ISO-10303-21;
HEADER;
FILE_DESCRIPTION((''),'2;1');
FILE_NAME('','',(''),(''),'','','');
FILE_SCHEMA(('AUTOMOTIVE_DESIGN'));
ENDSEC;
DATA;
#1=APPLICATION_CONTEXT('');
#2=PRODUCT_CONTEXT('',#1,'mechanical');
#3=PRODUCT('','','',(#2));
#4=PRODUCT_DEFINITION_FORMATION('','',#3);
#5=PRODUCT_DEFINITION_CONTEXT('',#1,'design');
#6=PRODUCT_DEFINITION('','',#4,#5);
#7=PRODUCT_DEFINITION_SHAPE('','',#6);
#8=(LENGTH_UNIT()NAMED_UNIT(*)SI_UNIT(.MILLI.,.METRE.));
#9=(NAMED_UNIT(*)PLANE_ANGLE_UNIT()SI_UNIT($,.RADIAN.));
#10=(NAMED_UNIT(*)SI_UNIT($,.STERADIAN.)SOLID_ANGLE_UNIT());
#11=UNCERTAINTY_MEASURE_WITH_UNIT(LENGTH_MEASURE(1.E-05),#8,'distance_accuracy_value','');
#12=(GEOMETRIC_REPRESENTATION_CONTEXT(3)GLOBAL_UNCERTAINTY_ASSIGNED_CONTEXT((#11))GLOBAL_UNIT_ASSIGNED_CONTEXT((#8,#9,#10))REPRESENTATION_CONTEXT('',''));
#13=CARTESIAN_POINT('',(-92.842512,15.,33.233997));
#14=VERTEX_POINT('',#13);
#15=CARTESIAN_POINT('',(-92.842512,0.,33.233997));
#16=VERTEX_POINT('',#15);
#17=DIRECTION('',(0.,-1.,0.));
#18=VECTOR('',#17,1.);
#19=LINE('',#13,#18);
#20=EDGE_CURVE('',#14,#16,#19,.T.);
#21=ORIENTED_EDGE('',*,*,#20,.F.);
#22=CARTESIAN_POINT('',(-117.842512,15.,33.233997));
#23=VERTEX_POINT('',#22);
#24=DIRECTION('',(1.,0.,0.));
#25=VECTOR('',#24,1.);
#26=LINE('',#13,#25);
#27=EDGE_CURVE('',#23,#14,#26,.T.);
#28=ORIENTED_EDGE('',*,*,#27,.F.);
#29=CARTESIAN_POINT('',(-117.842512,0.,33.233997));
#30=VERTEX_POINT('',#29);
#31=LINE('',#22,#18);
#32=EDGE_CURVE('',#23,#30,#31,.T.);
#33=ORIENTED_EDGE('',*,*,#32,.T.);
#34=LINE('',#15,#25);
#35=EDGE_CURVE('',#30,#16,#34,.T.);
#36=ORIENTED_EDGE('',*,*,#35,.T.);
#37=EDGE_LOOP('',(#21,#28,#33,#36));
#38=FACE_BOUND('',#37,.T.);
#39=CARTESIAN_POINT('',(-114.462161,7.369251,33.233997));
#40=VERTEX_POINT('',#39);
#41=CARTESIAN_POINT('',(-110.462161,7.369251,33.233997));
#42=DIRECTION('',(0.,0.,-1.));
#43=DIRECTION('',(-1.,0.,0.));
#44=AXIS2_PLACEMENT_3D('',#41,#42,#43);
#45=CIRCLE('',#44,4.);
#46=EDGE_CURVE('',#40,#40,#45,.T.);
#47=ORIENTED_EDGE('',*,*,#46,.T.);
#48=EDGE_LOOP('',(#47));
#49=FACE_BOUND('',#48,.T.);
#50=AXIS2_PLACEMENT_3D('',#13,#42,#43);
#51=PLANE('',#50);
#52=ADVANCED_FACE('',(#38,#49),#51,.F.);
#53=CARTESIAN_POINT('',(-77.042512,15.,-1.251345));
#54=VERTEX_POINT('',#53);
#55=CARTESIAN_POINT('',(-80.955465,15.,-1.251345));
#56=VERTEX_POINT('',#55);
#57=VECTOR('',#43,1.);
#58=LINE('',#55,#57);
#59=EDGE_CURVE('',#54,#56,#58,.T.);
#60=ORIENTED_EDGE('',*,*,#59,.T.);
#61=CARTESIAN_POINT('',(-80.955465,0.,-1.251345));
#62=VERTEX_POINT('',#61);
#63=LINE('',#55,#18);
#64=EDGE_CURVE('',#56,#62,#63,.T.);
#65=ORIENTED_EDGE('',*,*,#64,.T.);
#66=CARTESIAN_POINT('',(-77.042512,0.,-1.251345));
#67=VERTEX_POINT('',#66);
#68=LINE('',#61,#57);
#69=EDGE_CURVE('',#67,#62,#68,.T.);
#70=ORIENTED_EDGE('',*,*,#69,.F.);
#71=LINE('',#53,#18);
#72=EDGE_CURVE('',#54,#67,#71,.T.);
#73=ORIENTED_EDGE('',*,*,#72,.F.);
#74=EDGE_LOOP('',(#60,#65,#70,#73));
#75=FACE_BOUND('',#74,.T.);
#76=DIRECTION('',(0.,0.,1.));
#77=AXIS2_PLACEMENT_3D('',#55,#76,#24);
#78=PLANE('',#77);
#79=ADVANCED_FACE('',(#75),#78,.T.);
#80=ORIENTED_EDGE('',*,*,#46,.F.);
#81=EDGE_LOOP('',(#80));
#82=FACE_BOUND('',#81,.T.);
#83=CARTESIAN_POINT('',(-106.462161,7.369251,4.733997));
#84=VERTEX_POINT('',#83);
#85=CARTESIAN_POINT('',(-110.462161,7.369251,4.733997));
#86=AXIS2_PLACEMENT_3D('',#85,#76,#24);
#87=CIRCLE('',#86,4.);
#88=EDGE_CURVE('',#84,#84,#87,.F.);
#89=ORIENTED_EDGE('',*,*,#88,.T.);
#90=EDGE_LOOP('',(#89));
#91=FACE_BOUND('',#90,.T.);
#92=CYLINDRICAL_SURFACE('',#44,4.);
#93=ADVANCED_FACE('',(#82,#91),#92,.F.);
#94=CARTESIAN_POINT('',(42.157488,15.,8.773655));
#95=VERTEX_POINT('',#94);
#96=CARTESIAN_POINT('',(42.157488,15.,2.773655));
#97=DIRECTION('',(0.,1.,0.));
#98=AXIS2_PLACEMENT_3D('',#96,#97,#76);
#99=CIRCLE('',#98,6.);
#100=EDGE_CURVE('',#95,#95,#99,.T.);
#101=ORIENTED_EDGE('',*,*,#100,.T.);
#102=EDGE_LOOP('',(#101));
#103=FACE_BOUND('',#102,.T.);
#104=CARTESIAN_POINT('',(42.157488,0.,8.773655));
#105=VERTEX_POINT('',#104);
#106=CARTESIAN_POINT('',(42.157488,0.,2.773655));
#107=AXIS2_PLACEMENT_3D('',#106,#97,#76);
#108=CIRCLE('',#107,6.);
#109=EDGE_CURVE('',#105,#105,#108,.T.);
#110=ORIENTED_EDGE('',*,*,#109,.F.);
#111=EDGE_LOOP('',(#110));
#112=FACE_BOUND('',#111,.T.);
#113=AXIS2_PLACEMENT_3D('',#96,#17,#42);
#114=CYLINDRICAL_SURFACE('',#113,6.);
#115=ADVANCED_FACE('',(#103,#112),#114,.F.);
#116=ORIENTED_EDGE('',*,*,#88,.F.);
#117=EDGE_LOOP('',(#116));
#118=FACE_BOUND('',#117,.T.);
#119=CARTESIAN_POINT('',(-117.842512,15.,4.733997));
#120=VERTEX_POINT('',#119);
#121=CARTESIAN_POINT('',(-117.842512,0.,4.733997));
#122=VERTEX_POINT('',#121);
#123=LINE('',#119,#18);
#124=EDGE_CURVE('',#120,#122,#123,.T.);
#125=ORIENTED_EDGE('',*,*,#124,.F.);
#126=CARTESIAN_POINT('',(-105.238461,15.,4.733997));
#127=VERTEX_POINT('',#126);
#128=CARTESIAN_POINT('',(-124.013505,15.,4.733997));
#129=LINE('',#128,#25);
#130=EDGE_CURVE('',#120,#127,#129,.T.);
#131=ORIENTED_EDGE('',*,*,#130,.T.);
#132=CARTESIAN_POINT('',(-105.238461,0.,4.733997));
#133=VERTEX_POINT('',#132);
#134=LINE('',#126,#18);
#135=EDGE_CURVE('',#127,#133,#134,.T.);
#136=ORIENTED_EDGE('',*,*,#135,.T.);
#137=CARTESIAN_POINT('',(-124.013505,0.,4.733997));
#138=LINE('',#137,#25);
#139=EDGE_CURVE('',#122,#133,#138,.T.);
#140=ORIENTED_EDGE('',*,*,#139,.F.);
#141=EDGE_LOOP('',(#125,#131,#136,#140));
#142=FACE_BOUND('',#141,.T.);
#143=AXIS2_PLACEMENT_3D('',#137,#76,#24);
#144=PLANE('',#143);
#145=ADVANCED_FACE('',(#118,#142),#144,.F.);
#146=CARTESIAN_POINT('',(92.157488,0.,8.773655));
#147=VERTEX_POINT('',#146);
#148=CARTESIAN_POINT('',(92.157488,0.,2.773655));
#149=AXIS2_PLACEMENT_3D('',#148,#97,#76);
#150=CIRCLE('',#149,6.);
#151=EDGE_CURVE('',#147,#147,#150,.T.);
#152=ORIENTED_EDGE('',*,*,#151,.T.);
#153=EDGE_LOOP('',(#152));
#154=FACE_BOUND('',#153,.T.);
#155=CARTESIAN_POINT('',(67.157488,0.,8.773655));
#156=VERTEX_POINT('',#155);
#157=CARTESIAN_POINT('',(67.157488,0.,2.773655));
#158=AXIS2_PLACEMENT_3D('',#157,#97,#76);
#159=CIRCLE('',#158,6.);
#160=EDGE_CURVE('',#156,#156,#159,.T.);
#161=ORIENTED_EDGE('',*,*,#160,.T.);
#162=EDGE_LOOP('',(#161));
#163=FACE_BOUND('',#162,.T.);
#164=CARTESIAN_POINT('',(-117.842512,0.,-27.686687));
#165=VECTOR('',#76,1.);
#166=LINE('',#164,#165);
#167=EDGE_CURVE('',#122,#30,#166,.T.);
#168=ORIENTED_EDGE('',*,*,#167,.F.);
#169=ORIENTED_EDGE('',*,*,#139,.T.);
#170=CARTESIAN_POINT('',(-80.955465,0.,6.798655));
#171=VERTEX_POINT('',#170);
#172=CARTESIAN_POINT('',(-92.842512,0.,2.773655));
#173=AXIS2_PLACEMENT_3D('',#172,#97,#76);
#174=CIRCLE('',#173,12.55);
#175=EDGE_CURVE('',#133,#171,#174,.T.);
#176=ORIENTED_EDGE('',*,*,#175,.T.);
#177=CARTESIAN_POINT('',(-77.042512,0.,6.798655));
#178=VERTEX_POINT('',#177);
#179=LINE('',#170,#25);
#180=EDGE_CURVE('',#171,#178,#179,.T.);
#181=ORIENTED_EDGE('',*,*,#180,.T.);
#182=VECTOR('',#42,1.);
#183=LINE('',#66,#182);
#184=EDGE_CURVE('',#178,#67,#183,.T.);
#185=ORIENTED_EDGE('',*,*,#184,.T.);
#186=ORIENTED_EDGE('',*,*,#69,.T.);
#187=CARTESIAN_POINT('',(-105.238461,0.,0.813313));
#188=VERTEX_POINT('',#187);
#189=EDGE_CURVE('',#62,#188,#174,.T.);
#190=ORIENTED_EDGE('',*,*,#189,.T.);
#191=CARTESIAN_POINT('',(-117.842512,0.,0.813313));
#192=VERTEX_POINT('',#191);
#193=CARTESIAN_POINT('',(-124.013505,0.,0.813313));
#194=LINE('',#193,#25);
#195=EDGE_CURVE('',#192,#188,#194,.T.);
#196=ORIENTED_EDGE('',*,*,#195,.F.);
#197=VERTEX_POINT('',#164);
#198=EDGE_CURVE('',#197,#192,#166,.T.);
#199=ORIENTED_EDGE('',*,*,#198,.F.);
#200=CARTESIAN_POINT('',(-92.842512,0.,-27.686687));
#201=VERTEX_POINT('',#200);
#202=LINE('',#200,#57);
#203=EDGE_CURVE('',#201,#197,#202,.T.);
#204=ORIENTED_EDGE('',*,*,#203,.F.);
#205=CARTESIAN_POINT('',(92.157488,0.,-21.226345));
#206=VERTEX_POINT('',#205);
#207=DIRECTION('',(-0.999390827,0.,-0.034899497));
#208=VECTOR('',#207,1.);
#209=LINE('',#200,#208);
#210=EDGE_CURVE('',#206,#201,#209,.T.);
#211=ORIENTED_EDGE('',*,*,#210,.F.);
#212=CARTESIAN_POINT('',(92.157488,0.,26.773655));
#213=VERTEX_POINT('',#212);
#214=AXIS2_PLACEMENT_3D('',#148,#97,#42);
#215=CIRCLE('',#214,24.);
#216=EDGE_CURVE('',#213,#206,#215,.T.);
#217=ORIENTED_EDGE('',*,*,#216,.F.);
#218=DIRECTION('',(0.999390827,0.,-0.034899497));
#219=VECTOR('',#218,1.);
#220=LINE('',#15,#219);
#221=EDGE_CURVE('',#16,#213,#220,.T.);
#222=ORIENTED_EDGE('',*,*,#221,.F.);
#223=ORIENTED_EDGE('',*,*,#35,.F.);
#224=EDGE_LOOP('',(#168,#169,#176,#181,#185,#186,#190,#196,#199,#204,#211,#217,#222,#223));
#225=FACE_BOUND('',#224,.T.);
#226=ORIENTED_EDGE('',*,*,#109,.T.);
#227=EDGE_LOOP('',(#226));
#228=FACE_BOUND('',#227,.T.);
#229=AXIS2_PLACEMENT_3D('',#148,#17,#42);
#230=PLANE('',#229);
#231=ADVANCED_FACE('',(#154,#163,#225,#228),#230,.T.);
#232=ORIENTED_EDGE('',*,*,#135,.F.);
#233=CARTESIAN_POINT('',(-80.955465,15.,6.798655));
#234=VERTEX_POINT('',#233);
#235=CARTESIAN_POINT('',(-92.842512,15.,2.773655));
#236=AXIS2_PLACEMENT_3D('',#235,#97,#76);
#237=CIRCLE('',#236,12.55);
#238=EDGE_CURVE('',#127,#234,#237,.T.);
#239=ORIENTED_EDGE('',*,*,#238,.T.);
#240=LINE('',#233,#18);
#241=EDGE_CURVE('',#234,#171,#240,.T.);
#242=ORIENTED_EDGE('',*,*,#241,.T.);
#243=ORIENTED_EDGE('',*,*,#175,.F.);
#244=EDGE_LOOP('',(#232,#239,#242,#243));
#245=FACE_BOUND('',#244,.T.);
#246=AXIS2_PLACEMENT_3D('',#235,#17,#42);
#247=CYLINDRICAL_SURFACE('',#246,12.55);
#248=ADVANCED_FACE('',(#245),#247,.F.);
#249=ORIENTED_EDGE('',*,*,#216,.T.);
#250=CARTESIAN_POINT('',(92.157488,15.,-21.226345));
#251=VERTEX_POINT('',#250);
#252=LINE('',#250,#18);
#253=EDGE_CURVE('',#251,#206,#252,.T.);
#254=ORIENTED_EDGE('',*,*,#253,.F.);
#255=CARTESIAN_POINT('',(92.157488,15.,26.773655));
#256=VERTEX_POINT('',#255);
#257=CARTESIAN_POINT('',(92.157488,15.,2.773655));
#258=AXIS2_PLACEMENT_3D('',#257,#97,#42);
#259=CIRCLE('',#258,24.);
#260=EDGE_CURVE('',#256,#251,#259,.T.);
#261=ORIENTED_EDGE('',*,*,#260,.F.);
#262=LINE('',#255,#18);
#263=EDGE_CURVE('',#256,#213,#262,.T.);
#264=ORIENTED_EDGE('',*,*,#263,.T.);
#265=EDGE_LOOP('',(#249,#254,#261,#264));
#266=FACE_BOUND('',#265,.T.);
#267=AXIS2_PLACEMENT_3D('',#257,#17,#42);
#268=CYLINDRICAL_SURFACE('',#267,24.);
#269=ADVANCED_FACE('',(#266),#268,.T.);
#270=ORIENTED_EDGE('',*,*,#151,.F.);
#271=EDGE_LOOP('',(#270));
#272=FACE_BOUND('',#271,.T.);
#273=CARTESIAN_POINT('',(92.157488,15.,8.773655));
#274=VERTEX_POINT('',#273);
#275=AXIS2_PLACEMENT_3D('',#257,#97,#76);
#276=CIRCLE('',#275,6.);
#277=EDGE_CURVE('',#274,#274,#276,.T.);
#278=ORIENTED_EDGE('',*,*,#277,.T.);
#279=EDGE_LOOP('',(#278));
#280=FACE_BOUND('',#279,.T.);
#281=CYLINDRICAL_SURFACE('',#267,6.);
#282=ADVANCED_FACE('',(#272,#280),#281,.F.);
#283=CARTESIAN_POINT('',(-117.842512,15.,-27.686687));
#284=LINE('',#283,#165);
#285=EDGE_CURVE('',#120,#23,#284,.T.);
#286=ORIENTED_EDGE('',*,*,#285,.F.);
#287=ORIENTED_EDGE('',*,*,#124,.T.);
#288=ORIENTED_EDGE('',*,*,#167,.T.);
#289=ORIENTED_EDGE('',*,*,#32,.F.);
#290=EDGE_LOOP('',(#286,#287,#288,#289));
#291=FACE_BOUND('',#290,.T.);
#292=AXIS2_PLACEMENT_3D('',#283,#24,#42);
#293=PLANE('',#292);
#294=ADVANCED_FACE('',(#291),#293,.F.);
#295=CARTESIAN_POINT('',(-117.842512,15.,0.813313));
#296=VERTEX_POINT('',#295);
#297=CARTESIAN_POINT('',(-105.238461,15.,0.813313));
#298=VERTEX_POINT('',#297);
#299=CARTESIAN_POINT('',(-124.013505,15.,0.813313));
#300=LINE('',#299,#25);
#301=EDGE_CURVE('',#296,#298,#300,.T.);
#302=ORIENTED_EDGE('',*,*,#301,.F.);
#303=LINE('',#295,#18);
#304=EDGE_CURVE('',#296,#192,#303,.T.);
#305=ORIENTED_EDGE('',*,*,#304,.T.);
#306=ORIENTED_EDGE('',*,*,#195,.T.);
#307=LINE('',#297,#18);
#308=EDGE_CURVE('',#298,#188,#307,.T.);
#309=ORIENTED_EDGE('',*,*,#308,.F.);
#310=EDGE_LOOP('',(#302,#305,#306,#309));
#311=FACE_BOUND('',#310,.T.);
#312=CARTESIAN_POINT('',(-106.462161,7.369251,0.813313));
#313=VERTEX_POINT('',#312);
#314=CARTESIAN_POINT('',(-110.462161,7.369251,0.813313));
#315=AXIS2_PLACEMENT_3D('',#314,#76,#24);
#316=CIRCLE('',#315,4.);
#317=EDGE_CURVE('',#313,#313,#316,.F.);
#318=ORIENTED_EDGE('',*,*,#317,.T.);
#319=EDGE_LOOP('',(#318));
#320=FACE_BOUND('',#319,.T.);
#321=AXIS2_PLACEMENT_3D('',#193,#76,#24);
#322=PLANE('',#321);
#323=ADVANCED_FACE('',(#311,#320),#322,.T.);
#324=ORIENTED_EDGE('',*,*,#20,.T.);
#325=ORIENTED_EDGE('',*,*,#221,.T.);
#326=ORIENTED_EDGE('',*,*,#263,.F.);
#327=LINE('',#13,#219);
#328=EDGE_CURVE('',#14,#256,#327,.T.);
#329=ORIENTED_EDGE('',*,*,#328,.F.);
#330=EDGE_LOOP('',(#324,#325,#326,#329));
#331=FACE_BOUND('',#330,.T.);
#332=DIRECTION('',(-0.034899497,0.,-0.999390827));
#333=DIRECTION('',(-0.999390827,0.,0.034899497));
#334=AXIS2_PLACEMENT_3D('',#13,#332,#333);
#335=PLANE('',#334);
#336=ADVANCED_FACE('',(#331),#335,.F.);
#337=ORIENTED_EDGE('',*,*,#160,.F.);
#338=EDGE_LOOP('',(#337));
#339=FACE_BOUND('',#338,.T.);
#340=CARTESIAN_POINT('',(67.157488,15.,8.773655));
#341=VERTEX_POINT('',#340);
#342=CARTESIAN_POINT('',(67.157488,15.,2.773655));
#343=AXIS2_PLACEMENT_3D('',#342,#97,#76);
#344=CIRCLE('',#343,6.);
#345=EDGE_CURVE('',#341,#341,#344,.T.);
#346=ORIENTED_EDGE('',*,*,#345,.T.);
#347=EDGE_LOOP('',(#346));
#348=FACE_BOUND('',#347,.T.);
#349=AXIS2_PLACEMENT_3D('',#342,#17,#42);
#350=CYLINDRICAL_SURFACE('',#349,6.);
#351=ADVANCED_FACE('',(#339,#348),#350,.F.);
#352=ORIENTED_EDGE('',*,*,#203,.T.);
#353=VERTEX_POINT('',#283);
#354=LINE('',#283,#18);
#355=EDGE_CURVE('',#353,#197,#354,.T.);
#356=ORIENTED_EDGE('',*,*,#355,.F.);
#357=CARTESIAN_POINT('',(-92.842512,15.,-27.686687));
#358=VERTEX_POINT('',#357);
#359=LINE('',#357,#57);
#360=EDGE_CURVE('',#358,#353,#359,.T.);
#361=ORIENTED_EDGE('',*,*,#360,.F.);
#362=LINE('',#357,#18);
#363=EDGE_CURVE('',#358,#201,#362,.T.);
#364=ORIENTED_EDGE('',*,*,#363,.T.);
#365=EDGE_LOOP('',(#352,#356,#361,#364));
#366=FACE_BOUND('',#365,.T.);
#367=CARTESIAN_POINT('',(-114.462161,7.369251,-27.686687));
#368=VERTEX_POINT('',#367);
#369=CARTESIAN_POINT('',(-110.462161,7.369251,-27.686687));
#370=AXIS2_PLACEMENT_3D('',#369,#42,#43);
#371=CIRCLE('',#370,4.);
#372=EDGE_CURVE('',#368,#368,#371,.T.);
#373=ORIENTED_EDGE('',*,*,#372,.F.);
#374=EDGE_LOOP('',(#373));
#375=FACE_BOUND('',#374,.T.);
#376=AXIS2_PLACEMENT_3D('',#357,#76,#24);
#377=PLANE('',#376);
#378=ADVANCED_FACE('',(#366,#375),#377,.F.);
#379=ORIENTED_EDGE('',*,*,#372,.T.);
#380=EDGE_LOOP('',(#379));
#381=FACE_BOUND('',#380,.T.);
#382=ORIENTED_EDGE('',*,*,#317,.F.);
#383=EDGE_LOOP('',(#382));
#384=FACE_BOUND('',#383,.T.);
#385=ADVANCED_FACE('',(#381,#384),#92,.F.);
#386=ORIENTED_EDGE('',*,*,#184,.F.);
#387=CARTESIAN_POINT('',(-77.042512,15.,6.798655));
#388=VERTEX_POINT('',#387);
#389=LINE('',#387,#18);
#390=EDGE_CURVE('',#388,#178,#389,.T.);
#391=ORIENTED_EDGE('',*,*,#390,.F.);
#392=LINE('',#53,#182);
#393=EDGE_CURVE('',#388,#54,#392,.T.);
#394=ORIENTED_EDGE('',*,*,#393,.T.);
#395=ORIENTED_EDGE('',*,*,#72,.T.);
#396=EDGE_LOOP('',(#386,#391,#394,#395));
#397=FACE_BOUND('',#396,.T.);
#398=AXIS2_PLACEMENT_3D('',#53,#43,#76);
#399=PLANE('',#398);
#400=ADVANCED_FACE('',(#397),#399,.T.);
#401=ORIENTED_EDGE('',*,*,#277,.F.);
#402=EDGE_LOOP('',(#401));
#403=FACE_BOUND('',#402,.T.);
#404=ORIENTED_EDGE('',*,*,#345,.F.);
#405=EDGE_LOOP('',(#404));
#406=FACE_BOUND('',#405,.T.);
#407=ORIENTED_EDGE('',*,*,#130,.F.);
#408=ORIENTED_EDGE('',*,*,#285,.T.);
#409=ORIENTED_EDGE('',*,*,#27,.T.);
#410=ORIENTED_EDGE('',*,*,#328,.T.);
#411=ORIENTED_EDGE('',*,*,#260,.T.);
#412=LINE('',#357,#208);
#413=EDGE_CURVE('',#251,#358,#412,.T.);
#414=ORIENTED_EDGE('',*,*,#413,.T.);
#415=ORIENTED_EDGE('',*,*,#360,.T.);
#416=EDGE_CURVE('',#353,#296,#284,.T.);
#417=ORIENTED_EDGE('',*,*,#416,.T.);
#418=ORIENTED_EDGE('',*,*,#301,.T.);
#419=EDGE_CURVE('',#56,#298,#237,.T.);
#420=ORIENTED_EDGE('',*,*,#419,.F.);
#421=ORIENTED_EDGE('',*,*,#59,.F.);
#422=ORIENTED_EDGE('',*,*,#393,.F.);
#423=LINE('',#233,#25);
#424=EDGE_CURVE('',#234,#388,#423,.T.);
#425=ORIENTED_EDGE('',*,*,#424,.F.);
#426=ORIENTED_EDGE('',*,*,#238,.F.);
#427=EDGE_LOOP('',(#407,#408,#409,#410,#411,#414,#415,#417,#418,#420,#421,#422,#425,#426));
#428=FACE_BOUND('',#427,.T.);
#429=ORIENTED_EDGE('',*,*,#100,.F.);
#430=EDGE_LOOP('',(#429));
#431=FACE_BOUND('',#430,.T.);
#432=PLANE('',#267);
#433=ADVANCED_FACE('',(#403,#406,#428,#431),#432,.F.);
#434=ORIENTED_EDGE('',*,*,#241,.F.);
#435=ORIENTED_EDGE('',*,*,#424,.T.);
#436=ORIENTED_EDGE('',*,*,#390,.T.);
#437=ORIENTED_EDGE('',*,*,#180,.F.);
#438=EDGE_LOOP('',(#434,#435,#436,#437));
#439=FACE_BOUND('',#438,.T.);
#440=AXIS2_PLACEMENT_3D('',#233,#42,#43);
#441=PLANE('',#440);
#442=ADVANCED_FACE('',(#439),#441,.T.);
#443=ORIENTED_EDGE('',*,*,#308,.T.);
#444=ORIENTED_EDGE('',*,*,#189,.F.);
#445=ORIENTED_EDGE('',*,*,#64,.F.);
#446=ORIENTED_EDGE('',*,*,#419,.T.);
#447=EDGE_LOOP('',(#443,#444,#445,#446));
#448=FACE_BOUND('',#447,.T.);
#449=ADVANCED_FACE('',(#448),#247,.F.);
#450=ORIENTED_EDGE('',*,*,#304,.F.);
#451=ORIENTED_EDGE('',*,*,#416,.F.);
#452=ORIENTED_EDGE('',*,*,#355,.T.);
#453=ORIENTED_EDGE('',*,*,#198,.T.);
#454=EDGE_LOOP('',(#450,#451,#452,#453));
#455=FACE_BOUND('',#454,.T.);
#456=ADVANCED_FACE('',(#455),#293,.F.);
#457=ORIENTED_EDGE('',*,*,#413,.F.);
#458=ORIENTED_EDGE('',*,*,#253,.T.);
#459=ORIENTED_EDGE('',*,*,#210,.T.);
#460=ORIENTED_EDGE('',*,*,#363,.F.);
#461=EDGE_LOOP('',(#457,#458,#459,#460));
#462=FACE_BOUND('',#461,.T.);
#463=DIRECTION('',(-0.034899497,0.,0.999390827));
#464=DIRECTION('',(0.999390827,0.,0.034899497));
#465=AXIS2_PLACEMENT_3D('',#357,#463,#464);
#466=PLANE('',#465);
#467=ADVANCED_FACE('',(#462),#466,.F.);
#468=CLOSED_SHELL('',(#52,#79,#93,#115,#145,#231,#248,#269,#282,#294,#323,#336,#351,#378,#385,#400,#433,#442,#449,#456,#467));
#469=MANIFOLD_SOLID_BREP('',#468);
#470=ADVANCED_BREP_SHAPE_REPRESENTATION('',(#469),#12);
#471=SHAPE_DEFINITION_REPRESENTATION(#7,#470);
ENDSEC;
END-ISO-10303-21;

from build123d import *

# Parameters (mm, degrees)
SKETCH1_R               = 6
BOSS_EXTRUDE1_DEPTH     = 15
SKETCH2_R               = 4
CUT_EXTRUDE1_DEPTH      = 28.686687264
CUT_EXTRUDE1_DEPTH_BACK = 34.233997448
SKETCH3_W               = 25.445516604
SKETCH3_H               = 3.920684712
CUT_EXTRUDE2_DEPTH      = 16


with BuildPart() as part:
    # Sketch1 → Boss-Extrude1 (new body)
    with BuildSketch(Plane(origin=(0, 0, 0), x_dir=(1, 0, 0), z_dir=(0, 1, 0))):
        with BuildLine():
            Line((-92.842511891, 27.686687264), (92.157488109, 21.226344908))
            ThreePointArc((92.157488109, 21.226344908), (116.157488109, -2.773655092), (92.157488109, -26.773655092))
            Line((92.157488109, -26.773655092), (-92.842511891, -33.233997448))
            Line((-92.842511891, -33.233997448), (-117.842511891, -33.233997448))
            Line((-117.842511891, -33.233997448), (-117.842511891, 27.686687264))
            Line((-117.842511891, 27.686687264), (-92.842511891, 27.686687264))
        make_face()
        with Locations((67.157488109, -2.773655092)):
            Circle(SKETCH1_R, mode=Mode.SUBTRACT)
        with Locations((42.157488109, -2.773655092)):
            Circle(SKETCH1_R, mode=Mode.SUBTRACT)
        with Locations((92.157488109, -2.773655092)):
            Circle(SKETCH1_R, mode=Mode.SUBTRACT)
        with BuildLine():
            Line((-80.95546537, 1.251344908), (-77.042511891, 1.251344908))
            Line((-77.042511891, 1.251344908), (-77.042511891, -6.798655092))
            Line((-77.042511891, -6.798655092), (-80.95546537, -6.798655092))
            ThreePointArc((-80.95546537, -6.798655092), (-105.392511891, -2.773655092), (-80.95546537, 1.251344908))
        make_face(mode=Mode.SUBTRACT)
    extrude(amount=BOSS_EXTRUDE1_DEPTH)

    # Sketch2 → Cut-Extrude1 (cut, two sides)
    with BuildSketch(Plane(origin=(0.426421377, 0, 0), x_dir=(-1, 0, 0), z_dir=(0, 0, -1))) as cut_extrude1_sk:
        with Locations((110.888582208, 7.369250935)):
            Circle(SKETCH2_R)
    extrude(amount=CUT_EXTRUDE1_DEPTH, mode=Mode.SUBTRACT)
    extrude(cut_extrude1_sk.sketch, amount=-CUT_EXTRUDE1_DEPTH_BACK, mode=Mode.SUBTRACT)

    # Sketch3 → Cut-Extrude2 (cut, through all)
    with BuildSketch(Plane(origin=(0, 15, 0), x_dir=(1, 0, 0), z_dir=(0, 1, 0))):
        with Locations((-111.290746627, -2.773655092)):
            Rectangle(SKETCH3_W, SKETCH3_H)
    extrude(amount=-CUT_EXTRUDE2_DEPTH, mode=Mode.SUBTRACT)


solid = part.part
